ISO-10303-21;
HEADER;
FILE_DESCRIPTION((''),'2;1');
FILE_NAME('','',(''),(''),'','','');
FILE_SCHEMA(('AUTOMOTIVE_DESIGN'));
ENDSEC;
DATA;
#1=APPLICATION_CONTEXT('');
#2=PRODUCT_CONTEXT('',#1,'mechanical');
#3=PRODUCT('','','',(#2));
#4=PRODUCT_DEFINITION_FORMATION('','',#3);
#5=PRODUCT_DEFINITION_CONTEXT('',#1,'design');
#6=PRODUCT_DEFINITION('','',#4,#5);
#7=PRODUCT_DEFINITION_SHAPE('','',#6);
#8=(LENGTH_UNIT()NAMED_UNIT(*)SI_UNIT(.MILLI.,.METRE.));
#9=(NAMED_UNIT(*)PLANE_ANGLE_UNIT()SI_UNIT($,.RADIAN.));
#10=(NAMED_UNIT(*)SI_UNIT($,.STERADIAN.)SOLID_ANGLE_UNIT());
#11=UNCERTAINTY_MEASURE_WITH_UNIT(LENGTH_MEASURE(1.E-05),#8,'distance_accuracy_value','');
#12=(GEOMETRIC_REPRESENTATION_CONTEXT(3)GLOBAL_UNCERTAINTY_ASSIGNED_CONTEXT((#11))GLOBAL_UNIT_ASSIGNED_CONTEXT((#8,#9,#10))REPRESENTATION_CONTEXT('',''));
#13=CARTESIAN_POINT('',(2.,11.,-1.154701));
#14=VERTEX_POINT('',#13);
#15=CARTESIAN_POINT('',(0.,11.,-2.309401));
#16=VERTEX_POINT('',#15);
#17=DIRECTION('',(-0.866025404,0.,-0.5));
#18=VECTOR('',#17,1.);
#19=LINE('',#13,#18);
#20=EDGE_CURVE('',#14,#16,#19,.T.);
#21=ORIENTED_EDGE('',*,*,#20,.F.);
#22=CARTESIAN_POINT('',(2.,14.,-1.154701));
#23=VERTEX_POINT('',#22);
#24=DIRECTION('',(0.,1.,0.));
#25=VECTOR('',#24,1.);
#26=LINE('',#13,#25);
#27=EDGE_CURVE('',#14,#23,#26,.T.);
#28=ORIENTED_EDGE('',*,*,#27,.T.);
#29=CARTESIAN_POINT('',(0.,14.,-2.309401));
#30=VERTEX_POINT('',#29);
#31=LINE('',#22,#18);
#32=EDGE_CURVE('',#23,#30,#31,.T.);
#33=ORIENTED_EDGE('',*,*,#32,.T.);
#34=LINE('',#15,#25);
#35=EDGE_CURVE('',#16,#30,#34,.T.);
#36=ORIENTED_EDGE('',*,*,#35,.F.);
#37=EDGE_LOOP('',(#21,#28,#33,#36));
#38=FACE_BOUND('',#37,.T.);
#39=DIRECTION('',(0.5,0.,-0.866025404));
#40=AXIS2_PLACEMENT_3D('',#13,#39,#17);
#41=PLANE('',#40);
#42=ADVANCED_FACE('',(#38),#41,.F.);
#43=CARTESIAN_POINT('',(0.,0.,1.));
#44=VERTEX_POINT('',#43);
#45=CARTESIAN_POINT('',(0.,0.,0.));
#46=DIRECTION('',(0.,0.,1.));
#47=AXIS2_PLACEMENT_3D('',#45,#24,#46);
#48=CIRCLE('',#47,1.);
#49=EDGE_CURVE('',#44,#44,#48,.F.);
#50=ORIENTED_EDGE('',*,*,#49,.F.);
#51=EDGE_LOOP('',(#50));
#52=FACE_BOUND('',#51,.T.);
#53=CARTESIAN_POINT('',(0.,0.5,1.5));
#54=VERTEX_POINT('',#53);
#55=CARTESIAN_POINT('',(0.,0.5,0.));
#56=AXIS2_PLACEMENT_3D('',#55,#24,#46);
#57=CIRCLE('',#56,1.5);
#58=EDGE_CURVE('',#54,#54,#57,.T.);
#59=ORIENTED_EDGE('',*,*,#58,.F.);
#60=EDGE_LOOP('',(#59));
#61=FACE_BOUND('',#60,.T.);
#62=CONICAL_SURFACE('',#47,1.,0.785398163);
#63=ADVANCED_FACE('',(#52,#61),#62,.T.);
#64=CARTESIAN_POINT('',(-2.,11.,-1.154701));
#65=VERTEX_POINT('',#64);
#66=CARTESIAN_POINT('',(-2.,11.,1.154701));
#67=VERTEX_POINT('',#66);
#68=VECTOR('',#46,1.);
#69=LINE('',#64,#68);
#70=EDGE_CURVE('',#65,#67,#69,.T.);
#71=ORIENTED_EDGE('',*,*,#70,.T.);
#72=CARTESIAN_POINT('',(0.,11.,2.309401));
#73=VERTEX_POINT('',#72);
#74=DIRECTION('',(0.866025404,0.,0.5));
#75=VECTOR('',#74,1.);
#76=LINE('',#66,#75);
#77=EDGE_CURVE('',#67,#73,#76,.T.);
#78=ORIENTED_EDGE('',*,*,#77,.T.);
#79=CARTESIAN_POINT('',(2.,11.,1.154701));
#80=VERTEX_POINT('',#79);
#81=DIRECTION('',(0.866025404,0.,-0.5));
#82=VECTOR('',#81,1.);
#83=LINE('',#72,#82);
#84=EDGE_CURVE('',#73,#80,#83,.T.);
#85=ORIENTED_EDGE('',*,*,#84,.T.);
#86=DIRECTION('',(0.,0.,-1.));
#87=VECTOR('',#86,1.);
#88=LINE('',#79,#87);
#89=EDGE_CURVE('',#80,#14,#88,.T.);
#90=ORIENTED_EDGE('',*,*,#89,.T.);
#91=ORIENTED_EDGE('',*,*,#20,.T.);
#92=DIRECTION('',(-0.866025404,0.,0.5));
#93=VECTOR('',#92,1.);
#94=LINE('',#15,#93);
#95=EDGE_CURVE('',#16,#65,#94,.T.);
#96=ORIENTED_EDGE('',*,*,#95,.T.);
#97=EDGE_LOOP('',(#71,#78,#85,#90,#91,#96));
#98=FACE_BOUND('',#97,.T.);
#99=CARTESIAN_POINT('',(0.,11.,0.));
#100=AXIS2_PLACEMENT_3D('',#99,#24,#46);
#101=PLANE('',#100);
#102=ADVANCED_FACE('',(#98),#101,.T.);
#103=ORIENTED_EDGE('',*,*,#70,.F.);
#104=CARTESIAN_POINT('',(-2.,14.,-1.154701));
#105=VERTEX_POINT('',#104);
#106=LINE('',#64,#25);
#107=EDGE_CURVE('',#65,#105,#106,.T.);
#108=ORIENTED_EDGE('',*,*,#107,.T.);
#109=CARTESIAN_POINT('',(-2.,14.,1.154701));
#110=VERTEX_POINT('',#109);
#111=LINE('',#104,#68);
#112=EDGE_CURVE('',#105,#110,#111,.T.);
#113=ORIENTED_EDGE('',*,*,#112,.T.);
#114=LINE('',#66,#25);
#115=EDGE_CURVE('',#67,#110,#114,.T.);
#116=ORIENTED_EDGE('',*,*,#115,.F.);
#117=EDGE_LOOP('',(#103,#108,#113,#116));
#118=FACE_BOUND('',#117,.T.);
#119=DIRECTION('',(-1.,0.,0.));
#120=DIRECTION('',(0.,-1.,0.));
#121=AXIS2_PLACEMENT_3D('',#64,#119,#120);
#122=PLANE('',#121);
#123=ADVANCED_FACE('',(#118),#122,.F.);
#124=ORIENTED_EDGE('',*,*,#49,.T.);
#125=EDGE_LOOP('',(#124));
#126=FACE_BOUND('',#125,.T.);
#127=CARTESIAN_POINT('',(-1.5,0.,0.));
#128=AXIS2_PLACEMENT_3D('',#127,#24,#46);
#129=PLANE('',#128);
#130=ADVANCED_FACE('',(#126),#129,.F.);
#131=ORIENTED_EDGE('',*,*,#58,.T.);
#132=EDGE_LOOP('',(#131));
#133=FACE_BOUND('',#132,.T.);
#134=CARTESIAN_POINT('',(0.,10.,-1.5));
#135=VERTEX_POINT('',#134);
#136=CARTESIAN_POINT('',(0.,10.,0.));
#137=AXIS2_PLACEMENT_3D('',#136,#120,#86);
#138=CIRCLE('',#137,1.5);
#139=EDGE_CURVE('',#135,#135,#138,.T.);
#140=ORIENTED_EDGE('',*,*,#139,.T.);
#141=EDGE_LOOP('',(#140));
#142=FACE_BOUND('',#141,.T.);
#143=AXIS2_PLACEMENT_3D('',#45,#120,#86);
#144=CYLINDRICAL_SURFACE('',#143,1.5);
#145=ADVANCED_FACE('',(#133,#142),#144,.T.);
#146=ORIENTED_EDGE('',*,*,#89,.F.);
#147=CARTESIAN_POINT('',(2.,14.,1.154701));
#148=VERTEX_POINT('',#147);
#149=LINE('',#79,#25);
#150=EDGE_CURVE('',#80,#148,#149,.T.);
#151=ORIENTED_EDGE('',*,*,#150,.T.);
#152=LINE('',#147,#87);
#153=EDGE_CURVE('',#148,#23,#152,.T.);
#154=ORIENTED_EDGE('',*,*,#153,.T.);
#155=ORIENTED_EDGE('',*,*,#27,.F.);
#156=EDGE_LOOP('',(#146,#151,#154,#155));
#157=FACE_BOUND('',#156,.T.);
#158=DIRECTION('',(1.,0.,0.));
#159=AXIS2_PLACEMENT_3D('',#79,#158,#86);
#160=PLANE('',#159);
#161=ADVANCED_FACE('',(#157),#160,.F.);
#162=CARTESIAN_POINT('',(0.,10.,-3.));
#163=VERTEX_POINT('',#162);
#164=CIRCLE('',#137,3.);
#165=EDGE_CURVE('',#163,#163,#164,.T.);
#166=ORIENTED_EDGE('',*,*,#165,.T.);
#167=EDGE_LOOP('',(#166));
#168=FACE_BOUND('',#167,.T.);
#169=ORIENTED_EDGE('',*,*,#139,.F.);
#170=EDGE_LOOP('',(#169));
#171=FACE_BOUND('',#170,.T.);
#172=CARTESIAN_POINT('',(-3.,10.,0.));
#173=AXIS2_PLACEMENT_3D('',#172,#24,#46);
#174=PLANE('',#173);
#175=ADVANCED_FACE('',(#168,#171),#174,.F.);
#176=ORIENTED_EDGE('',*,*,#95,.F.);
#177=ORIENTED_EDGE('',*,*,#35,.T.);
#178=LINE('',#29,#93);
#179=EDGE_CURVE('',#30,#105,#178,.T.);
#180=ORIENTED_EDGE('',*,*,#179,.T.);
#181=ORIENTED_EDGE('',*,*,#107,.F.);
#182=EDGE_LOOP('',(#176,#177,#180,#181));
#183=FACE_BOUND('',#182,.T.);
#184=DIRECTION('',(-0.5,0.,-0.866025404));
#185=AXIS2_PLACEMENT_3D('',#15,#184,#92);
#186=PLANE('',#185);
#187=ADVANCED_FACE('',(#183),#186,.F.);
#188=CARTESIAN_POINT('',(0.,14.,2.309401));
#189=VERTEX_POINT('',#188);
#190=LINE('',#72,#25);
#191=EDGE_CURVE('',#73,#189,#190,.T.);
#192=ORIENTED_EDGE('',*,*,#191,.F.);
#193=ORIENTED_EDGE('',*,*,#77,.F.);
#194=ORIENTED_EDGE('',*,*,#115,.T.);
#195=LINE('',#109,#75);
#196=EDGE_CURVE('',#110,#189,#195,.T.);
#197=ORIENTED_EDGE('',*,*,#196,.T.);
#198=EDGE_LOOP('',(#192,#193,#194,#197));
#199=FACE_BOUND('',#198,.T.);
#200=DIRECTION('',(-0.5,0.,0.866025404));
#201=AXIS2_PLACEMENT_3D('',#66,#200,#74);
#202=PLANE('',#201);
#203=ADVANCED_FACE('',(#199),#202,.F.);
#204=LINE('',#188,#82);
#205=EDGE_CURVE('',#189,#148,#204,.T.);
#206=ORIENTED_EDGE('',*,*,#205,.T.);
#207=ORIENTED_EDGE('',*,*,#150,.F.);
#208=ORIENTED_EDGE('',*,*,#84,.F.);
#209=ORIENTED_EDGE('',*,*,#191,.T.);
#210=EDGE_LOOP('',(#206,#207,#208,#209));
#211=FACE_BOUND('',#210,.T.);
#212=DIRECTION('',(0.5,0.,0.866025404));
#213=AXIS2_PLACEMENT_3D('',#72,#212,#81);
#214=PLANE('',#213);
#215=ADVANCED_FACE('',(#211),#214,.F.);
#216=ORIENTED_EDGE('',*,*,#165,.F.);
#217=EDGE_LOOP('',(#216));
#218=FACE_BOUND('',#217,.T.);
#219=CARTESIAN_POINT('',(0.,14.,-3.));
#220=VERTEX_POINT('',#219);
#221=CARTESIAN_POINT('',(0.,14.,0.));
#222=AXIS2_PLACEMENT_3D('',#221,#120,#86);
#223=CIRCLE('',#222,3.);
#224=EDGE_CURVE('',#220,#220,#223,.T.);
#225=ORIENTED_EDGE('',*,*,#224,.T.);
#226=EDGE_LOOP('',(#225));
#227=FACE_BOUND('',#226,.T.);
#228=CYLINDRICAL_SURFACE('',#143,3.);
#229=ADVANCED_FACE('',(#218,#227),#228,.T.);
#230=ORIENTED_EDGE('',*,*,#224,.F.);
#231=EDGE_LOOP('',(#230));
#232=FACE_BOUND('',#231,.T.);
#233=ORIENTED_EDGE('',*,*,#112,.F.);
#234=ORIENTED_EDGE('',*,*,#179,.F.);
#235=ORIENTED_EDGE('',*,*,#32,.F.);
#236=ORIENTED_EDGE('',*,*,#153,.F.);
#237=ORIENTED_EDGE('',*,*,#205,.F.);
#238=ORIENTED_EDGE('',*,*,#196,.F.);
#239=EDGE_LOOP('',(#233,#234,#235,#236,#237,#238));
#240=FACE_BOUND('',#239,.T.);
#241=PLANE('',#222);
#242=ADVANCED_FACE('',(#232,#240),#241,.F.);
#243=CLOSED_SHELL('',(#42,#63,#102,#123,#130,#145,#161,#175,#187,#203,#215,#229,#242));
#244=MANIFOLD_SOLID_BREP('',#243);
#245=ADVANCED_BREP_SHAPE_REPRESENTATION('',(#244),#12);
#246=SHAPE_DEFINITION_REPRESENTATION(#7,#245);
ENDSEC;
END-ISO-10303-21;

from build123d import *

# Parameters (mm, degrees)
CUT_EXTRUDE1_DEPTH = 3
CHAMFER1_SIZE      = 0.5


with BuildPart() as part:
    # Sketch1 → Revolve1 (revolve)
    with BuildSketch(Plane.XY, mode=Mode.PRIVATE) as revolve1_sk:
        Polygon((0, 14), (-3, 14), (-3, 10), (-1.5, 10), (-1.5, 0), (0, 0), align=None)
    revolve(revolve1_sk.sketch.rotate(Axis((0, 0, 0), (0, 1, 0)), 270), axis=Axis((0, 0, 0), (0, 1, 0)))

    # Sketch2 → Cut-Extrude1 (cut)
    with BuildSketch(Plane(origin=(0, 14, 0), x_dir=(1, 0, 0), z_dir=(0, 1, 0))):
        Polygon((0, 2.309401077), (-2, 1.154700538), (-2, -1.154700538), (0, -2.309401077), (2, -1.154700538), (2, 1.154700538), align=None)
    extrude(amount=-CUT_EXTRUDE1_DEPTH, mode=Mode.SUBTRACT)

    # Chamfer1
    chamfer1_edges = [part.edges().sort_by_distance(p)[0] for p in [
        (0, 0, 1.5),
    ]]
    chamfer(chamfer1_edges, length=CHAMFER1_SIZE)


solid = part.part
